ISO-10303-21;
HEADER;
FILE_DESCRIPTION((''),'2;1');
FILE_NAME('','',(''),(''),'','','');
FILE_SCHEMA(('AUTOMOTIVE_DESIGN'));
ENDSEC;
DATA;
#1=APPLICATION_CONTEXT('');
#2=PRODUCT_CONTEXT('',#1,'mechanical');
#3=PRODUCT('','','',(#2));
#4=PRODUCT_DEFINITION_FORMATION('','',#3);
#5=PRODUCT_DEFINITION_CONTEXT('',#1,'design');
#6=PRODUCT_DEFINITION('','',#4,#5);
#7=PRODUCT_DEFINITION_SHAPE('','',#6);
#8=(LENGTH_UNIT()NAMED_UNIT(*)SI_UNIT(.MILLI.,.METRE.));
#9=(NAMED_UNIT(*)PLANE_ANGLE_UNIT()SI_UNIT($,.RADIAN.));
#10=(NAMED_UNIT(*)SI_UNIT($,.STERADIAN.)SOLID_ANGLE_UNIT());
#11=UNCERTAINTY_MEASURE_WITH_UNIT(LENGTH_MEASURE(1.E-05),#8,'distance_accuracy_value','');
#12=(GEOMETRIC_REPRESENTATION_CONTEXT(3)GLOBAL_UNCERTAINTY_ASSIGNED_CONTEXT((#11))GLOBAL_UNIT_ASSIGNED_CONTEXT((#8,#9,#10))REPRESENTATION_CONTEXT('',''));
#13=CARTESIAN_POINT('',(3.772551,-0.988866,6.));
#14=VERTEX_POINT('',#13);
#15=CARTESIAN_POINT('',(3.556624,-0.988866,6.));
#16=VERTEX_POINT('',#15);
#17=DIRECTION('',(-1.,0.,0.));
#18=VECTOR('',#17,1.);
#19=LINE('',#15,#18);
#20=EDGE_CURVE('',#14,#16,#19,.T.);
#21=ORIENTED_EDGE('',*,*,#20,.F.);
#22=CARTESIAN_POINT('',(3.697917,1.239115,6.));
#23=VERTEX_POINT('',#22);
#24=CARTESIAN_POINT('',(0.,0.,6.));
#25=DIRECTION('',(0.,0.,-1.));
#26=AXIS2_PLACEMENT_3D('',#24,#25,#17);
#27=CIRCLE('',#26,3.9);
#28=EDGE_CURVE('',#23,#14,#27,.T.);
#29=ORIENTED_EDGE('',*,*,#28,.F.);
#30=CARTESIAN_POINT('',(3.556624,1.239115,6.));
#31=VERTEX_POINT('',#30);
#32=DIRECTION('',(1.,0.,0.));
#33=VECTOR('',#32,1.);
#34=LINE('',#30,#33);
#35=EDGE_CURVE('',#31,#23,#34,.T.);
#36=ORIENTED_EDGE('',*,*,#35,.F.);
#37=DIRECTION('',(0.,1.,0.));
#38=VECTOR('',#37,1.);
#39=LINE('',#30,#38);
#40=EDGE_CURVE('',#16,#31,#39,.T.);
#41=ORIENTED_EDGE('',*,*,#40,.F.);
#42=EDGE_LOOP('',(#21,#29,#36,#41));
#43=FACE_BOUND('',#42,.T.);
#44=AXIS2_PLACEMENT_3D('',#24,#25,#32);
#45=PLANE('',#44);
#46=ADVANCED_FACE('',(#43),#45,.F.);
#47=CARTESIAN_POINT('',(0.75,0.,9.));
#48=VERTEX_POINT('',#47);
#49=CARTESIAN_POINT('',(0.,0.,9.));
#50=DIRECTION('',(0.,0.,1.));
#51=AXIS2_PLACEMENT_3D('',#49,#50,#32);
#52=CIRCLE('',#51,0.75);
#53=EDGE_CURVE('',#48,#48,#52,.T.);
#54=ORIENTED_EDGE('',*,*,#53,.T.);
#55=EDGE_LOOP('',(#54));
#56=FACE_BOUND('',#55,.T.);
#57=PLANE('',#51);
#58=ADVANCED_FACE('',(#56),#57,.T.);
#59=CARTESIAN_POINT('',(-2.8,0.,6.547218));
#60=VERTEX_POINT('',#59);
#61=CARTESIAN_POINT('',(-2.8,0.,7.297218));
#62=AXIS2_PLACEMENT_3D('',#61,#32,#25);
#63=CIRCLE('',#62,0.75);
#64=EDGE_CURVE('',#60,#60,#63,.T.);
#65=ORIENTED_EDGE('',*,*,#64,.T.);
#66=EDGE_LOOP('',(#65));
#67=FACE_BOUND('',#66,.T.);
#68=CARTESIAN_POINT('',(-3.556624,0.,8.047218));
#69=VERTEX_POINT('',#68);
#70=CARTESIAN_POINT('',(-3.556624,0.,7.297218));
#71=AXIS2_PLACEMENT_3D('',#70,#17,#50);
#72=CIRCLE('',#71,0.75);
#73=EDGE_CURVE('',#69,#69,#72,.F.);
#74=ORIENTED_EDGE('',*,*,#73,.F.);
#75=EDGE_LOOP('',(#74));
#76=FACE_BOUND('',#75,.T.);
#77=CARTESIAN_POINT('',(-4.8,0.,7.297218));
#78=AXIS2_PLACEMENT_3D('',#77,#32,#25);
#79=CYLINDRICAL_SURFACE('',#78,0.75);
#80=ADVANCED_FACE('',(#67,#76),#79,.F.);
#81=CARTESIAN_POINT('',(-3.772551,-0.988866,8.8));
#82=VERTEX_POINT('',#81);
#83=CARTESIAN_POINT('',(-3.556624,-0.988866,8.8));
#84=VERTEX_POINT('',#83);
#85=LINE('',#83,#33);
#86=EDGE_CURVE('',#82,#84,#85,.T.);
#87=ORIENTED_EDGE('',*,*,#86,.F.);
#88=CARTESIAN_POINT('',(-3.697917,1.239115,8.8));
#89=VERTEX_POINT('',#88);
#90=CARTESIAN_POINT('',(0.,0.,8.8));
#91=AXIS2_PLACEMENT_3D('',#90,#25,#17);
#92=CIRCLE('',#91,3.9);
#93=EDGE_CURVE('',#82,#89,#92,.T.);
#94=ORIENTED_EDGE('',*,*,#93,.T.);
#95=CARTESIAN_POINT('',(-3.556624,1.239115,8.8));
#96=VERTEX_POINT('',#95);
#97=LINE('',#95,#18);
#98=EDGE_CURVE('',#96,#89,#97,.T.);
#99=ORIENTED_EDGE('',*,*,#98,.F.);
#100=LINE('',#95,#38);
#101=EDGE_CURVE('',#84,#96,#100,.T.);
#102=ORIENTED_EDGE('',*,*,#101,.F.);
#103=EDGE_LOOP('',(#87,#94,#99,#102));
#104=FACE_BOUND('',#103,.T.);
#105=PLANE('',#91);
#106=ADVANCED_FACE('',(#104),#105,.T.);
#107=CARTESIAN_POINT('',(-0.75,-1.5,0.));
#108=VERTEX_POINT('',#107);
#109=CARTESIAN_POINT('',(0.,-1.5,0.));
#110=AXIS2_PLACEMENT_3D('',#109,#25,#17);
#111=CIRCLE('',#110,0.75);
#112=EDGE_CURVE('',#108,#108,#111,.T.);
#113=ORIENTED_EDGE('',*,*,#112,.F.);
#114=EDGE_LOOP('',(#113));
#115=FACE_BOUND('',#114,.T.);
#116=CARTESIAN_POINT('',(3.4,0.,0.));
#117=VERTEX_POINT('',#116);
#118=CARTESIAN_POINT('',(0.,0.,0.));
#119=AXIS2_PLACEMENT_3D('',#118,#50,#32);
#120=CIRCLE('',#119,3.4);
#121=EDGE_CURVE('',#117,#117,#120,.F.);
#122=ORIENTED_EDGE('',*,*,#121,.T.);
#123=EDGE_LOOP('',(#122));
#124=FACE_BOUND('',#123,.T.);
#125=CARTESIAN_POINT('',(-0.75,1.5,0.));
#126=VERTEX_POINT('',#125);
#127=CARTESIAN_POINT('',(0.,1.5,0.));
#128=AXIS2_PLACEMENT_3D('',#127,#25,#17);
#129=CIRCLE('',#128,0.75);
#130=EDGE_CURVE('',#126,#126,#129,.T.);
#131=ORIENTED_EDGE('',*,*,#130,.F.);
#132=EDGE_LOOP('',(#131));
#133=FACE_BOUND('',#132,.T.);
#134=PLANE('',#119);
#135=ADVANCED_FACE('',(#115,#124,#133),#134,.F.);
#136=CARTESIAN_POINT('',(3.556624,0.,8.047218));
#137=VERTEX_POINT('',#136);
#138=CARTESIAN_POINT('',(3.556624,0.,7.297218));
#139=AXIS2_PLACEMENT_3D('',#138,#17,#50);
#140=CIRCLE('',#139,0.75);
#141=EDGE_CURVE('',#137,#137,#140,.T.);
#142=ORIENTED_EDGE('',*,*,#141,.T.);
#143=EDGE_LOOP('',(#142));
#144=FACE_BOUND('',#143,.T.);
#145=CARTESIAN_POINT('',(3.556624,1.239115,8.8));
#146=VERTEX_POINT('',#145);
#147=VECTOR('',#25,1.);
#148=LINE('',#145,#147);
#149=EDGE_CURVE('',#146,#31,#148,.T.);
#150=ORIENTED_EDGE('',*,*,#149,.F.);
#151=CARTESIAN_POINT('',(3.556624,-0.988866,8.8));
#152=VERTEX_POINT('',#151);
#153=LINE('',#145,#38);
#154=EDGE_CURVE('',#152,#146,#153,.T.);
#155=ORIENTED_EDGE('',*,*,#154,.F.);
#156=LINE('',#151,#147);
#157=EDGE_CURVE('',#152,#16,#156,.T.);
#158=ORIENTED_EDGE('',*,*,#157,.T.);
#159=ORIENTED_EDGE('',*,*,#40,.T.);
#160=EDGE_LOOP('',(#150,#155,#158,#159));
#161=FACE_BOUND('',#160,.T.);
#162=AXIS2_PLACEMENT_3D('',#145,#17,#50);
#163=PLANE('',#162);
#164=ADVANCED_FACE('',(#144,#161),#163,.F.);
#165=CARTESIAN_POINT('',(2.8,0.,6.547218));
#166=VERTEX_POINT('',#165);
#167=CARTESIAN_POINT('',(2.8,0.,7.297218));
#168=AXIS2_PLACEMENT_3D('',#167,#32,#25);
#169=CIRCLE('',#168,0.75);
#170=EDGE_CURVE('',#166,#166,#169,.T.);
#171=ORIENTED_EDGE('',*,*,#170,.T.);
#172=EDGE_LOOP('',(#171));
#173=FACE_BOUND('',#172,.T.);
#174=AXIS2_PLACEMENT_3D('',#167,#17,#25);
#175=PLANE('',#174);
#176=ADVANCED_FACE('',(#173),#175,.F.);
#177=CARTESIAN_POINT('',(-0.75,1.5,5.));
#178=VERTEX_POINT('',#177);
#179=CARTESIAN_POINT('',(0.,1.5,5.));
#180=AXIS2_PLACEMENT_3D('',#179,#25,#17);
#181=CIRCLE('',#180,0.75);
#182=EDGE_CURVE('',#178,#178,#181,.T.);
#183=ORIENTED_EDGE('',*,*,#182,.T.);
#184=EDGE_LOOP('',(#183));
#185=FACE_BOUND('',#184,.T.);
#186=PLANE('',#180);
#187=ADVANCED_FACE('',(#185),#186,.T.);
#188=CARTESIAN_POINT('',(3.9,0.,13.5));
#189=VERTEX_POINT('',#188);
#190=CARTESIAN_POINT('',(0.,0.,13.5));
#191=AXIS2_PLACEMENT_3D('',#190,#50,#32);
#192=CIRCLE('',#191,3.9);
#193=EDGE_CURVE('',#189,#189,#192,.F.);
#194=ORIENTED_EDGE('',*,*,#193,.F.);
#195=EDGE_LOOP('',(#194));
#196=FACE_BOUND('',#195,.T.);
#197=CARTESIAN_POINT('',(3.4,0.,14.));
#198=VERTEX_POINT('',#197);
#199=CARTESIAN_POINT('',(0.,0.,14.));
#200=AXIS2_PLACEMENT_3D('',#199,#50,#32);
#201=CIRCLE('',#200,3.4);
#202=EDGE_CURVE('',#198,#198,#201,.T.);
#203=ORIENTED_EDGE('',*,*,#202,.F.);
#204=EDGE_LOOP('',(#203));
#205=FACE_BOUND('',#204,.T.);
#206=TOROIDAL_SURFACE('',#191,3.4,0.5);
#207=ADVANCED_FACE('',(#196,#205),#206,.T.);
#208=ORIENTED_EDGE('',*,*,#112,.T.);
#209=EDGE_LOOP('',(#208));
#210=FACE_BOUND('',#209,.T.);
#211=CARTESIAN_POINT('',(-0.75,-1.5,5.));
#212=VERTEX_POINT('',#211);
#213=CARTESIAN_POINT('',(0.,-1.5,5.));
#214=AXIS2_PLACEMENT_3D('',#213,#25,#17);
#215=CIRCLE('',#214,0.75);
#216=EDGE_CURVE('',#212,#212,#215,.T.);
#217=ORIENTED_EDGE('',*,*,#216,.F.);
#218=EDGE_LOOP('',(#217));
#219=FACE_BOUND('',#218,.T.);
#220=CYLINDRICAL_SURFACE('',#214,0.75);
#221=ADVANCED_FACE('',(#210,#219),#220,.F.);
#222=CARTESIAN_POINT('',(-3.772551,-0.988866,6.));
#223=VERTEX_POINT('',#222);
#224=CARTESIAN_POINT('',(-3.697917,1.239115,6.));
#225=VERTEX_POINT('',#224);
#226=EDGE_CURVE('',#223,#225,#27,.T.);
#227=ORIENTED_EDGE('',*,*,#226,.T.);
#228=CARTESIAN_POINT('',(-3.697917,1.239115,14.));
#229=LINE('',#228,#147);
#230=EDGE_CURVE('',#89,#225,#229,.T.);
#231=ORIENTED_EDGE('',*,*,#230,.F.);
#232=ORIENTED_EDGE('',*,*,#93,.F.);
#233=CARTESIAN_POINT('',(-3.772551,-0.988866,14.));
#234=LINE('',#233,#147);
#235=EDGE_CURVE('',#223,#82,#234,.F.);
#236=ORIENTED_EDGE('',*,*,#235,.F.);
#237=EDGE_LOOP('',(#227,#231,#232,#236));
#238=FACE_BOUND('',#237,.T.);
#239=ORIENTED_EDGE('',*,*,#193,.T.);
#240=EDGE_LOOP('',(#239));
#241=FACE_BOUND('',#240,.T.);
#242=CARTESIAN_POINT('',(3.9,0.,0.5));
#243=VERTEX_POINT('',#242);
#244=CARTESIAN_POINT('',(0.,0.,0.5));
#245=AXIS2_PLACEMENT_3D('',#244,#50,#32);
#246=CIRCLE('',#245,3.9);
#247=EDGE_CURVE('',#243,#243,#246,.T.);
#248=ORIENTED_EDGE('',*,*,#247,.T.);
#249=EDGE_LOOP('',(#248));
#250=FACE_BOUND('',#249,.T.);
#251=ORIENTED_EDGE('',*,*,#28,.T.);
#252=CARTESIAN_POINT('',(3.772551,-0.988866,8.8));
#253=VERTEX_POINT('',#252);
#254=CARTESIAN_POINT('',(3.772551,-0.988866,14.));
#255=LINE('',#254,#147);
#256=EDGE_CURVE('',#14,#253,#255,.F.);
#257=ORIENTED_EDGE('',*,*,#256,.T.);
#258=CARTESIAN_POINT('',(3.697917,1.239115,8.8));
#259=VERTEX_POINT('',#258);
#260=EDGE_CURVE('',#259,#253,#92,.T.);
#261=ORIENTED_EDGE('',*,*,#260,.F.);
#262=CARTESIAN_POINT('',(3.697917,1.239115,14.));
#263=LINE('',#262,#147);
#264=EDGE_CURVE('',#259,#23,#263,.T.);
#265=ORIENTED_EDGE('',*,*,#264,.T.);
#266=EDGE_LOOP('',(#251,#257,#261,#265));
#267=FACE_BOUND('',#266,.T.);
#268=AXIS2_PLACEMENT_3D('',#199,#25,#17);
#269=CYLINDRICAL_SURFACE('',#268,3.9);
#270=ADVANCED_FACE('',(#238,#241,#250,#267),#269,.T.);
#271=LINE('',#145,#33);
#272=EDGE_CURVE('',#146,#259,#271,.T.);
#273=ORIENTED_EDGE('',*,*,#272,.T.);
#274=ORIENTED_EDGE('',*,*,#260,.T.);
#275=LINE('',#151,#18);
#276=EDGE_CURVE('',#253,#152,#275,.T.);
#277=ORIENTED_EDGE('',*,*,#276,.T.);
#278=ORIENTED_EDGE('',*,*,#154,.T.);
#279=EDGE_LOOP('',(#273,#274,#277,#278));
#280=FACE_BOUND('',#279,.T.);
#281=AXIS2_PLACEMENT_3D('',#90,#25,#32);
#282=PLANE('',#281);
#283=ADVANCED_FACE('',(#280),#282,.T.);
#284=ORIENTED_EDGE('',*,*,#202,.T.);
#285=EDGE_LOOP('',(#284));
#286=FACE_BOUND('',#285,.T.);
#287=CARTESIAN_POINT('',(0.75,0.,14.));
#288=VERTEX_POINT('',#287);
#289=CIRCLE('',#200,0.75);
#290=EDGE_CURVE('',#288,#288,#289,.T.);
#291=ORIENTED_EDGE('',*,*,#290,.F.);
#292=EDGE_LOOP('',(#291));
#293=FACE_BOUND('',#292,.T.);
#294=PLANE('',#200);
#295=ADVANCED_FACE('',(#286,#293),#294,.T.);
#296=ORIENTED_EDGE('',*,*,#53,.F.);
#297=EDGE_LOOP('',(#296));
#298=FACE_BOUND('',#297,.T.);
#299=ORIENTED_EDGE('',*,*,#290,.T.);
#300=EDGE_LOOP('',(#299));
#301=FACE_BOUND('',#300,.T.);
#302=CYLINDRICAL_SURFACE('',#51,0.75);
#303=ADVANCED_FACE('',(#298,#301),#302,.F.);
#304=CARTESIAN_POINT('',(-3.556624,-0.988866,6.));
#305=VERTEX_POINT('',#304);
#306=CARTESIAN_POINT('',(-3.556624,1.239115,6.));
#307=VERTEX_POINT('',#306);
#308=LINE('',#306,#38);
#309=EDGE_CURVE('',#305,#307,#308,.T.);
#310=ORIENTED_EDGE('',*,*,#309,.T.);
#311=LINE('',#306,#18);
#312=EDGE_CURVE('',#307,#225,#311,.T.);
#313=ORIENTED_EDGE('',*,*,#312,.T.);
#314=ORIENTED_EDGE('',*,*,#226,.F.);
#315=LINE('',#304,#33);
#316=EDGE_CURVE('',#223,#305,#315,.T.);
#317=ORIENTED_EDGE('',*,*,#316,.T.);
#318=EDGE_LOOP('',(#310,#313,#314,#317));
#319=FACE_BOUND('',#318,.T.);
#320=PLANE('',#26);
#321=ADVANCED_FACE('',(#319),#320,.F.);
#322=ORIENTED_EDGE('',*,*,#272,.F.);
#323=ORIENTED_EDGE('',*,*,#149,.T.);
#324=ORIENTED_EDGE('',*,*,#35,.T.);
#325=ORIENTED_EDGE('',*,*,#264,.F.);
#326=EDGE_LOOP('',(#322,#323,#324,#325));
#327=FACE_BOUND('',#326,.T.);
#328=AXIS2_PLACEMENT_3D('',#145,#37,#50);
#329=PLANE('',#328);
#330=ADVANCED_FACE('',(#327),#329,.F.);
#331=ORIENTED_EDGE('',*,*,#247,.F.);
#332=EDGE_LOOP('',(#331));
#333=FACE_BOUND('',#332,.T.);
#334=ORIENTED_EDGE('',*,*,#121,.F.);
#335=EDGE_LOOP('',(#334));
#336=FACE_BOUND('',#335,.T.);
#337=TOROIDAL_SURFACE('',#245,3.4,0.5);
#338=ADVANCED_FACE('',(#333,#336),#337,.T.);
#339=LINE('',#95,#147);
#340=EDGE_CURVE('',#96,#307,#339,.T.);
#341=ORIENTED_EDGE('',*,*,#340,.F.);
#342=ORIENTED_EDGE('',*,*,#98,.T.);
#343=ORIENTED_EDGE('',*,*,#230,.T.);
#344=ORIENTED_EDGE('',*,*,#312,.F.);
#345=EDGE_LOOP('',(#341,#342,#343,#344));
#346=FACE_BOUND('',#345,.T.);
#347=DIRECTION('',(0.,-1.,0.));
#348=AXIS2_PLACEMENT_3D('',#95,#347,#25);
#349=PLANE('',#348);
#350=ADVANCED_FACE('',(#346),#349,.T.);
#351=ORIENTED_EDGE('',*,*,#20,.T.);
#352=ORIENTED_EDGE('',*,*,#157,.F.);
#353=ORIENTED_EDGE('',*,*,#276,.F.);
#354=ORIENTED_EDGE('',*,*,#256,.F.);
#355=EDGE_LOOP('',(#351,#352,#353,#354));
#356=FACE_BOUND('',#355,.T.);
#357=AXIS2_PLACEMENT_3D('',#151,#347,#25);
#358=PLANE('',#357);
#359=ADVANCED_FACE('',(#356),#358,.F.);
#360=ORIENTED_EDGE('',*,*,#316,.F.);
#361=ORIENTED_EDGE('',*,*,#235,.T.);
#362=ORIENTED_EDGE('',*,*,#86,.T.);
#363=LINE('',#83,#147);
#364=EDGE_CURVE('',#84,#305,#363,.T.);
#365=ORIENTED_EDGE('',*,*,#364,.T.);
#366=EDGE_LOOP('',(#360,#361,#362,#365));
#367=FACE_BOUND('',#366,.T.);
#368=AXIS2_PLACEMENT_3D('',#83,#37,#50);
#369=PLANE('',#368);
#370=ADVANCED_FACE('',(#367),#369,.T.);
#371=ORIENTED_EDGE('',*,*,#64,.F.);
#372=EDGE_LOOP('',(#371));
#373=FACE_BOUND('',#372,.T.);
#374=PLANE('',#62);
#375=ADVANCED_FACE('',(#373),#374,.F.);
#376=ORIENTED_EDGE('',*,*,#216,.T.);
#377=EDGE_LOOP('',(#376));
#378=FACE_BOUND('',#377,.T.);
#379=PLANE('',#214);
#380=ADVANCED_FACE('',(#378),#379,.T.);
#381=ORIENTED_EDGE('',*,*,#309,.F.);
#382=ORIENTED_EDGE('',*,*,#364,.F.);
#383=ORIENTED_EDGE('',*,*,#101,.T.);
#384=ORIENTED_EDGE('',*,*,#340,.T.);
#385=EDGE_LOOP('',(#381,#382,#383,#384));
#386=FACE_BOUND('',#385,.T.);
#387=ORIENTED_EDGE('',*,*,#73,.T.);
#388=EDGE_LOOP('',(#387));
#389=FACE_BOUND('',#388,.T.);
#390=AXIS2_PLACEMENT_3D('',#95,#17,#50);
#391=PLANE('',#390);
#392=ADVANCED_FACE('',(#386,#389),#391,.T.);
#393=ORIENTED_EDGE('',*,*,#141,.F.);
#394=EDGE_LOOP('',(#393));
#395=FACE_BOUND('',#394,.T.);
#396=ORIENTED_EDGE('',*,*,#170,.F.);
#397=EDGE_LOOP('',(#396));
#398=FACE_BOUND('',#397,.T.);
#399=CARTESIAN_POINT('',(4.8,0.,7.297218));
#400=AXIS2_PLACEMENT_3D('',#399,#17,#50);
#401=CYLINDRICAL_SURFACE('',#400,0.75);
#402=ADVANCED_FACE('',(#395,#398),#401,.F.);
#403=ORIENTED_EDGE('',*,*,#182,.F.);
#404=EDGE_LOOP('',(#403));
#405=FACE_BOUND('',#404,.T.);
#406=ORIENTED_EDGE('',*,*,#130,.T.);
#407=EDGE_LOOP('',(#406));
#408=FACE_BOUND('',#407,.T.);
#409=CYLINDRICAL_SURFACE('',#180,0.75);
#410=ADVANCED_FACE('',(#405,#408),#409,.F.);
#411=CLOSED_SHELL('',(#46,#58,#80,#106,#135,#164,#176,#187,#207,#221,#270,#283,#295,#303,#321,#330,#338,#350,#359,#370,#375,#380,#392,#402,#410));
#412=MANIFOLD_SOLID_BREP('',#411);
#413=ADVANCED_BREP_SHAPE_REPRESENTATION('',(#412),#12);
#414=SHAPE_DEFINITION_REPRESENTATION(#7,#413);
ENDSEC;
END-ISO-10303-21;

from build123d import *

# Parameters (mm, degrees)
SKETCH1_R           = 3.9
BOSS_EXTRUDE1_DEPTH = 14
FILLET1_R           = 0.5
SKETCH2_R           = 0.75
CUT_EXTRUDE2_DEPTH  = 5
SKETCH3_R           = 0.75
CUT_EXTRUDE3_DEPTH  = 5
SKETCH4_R           = 0.75
CUT_EXTRUDE4_DEPTH  = 1
SKETCH5_W           = 0.434986795
SKETCH5_H           = 2.227981147
CUT_EXTRUDE5_DEPTH  = 2.8


with BuildPart() as part:
    # Sketch1 → Boss-Extrude1 (new body)
    with BuildSketch(Plane.XY):
        Circle(SKETCH1_R)
    extrude(amount=BOSS_EXTRUDE1_DEPTH)

    # Fillet1
    fillet1_edges = [part.edges().sort_by_distance(p)[0] for p in [
        (-3.9, 0, 0),
        (-3.9, 0, 14),
    ]]
    fillet(fillet1_edges, radius=FILLET1_R)

    # Sketch2 → Cut-Extrude2 (cut)
    with BuildSketch(Plane.XY.offset(14)):
        Circle(SKETCH2_R)
    extrude(amount=-CUT_EXTRUDE2_DEPTH, mode=Mode.SUBTRACT)

    # Sketch3 → Cut-Extrude3 (cut)
    with BuildSketch(Plane(origin=(0, 0, 0), x_dir=(-1, 0, 0), z_dir=(0, 0, -1))):
        with Locations((0, 1.5)):
            Circle(SKETCH3_R)
        with Locations((0, -1.5)):
            Circle(SKETCH3_R)
    extrude(amount=-CUT_EXTRUDE3_DEPTH, mode=Mode.SUBTRACT)

    # Sketch4 → Cut-Extrude4 (cut, symmetric)
    with BuildSketch(Plane(origin=(-3.8, 0, 0), x_dir=(0, 0, -1), z_dir=(1, 0, 0))):
        with Locations((-7.297217633, 0)):
            Circle(SKETCH4_R)
    cut_extrude4 = extrude(amount=CUT_EXTRUDE4_DEPTH, both=True, mode=Mode.SUBTRACT)

    # Sketch5 → Cut-Extrude5 (cut)
    with BuildSketch(Plane.XY.offset(6)):
        with Locations((-3.774117143, 0.125124808)):
            Rectangle(SKETCH5_W, SKETCH5_H)
    cut_extrude5 = extrude(amount=CUT_EXTRUDE5_DEPTH, mode=Mode.SUBTRACT)

    # Mirror1: Cut-Extrude4, Cut-Extrude5 across plane
    add(cut_extrude4.mirror(Plane(origin=(0, 0, 0), x_dir=(0, 0, 1), z_dir=(1, 0, 0))), mode=Mode.SUBTRACT)
    add(cut_extrude5.mirror(Plane(origin=(0, 0, 0), x_dir=(0, 0, 1), z_dir=(1, 0, 0))), mode=Mode.SUBTRACT)


solid = part.part
